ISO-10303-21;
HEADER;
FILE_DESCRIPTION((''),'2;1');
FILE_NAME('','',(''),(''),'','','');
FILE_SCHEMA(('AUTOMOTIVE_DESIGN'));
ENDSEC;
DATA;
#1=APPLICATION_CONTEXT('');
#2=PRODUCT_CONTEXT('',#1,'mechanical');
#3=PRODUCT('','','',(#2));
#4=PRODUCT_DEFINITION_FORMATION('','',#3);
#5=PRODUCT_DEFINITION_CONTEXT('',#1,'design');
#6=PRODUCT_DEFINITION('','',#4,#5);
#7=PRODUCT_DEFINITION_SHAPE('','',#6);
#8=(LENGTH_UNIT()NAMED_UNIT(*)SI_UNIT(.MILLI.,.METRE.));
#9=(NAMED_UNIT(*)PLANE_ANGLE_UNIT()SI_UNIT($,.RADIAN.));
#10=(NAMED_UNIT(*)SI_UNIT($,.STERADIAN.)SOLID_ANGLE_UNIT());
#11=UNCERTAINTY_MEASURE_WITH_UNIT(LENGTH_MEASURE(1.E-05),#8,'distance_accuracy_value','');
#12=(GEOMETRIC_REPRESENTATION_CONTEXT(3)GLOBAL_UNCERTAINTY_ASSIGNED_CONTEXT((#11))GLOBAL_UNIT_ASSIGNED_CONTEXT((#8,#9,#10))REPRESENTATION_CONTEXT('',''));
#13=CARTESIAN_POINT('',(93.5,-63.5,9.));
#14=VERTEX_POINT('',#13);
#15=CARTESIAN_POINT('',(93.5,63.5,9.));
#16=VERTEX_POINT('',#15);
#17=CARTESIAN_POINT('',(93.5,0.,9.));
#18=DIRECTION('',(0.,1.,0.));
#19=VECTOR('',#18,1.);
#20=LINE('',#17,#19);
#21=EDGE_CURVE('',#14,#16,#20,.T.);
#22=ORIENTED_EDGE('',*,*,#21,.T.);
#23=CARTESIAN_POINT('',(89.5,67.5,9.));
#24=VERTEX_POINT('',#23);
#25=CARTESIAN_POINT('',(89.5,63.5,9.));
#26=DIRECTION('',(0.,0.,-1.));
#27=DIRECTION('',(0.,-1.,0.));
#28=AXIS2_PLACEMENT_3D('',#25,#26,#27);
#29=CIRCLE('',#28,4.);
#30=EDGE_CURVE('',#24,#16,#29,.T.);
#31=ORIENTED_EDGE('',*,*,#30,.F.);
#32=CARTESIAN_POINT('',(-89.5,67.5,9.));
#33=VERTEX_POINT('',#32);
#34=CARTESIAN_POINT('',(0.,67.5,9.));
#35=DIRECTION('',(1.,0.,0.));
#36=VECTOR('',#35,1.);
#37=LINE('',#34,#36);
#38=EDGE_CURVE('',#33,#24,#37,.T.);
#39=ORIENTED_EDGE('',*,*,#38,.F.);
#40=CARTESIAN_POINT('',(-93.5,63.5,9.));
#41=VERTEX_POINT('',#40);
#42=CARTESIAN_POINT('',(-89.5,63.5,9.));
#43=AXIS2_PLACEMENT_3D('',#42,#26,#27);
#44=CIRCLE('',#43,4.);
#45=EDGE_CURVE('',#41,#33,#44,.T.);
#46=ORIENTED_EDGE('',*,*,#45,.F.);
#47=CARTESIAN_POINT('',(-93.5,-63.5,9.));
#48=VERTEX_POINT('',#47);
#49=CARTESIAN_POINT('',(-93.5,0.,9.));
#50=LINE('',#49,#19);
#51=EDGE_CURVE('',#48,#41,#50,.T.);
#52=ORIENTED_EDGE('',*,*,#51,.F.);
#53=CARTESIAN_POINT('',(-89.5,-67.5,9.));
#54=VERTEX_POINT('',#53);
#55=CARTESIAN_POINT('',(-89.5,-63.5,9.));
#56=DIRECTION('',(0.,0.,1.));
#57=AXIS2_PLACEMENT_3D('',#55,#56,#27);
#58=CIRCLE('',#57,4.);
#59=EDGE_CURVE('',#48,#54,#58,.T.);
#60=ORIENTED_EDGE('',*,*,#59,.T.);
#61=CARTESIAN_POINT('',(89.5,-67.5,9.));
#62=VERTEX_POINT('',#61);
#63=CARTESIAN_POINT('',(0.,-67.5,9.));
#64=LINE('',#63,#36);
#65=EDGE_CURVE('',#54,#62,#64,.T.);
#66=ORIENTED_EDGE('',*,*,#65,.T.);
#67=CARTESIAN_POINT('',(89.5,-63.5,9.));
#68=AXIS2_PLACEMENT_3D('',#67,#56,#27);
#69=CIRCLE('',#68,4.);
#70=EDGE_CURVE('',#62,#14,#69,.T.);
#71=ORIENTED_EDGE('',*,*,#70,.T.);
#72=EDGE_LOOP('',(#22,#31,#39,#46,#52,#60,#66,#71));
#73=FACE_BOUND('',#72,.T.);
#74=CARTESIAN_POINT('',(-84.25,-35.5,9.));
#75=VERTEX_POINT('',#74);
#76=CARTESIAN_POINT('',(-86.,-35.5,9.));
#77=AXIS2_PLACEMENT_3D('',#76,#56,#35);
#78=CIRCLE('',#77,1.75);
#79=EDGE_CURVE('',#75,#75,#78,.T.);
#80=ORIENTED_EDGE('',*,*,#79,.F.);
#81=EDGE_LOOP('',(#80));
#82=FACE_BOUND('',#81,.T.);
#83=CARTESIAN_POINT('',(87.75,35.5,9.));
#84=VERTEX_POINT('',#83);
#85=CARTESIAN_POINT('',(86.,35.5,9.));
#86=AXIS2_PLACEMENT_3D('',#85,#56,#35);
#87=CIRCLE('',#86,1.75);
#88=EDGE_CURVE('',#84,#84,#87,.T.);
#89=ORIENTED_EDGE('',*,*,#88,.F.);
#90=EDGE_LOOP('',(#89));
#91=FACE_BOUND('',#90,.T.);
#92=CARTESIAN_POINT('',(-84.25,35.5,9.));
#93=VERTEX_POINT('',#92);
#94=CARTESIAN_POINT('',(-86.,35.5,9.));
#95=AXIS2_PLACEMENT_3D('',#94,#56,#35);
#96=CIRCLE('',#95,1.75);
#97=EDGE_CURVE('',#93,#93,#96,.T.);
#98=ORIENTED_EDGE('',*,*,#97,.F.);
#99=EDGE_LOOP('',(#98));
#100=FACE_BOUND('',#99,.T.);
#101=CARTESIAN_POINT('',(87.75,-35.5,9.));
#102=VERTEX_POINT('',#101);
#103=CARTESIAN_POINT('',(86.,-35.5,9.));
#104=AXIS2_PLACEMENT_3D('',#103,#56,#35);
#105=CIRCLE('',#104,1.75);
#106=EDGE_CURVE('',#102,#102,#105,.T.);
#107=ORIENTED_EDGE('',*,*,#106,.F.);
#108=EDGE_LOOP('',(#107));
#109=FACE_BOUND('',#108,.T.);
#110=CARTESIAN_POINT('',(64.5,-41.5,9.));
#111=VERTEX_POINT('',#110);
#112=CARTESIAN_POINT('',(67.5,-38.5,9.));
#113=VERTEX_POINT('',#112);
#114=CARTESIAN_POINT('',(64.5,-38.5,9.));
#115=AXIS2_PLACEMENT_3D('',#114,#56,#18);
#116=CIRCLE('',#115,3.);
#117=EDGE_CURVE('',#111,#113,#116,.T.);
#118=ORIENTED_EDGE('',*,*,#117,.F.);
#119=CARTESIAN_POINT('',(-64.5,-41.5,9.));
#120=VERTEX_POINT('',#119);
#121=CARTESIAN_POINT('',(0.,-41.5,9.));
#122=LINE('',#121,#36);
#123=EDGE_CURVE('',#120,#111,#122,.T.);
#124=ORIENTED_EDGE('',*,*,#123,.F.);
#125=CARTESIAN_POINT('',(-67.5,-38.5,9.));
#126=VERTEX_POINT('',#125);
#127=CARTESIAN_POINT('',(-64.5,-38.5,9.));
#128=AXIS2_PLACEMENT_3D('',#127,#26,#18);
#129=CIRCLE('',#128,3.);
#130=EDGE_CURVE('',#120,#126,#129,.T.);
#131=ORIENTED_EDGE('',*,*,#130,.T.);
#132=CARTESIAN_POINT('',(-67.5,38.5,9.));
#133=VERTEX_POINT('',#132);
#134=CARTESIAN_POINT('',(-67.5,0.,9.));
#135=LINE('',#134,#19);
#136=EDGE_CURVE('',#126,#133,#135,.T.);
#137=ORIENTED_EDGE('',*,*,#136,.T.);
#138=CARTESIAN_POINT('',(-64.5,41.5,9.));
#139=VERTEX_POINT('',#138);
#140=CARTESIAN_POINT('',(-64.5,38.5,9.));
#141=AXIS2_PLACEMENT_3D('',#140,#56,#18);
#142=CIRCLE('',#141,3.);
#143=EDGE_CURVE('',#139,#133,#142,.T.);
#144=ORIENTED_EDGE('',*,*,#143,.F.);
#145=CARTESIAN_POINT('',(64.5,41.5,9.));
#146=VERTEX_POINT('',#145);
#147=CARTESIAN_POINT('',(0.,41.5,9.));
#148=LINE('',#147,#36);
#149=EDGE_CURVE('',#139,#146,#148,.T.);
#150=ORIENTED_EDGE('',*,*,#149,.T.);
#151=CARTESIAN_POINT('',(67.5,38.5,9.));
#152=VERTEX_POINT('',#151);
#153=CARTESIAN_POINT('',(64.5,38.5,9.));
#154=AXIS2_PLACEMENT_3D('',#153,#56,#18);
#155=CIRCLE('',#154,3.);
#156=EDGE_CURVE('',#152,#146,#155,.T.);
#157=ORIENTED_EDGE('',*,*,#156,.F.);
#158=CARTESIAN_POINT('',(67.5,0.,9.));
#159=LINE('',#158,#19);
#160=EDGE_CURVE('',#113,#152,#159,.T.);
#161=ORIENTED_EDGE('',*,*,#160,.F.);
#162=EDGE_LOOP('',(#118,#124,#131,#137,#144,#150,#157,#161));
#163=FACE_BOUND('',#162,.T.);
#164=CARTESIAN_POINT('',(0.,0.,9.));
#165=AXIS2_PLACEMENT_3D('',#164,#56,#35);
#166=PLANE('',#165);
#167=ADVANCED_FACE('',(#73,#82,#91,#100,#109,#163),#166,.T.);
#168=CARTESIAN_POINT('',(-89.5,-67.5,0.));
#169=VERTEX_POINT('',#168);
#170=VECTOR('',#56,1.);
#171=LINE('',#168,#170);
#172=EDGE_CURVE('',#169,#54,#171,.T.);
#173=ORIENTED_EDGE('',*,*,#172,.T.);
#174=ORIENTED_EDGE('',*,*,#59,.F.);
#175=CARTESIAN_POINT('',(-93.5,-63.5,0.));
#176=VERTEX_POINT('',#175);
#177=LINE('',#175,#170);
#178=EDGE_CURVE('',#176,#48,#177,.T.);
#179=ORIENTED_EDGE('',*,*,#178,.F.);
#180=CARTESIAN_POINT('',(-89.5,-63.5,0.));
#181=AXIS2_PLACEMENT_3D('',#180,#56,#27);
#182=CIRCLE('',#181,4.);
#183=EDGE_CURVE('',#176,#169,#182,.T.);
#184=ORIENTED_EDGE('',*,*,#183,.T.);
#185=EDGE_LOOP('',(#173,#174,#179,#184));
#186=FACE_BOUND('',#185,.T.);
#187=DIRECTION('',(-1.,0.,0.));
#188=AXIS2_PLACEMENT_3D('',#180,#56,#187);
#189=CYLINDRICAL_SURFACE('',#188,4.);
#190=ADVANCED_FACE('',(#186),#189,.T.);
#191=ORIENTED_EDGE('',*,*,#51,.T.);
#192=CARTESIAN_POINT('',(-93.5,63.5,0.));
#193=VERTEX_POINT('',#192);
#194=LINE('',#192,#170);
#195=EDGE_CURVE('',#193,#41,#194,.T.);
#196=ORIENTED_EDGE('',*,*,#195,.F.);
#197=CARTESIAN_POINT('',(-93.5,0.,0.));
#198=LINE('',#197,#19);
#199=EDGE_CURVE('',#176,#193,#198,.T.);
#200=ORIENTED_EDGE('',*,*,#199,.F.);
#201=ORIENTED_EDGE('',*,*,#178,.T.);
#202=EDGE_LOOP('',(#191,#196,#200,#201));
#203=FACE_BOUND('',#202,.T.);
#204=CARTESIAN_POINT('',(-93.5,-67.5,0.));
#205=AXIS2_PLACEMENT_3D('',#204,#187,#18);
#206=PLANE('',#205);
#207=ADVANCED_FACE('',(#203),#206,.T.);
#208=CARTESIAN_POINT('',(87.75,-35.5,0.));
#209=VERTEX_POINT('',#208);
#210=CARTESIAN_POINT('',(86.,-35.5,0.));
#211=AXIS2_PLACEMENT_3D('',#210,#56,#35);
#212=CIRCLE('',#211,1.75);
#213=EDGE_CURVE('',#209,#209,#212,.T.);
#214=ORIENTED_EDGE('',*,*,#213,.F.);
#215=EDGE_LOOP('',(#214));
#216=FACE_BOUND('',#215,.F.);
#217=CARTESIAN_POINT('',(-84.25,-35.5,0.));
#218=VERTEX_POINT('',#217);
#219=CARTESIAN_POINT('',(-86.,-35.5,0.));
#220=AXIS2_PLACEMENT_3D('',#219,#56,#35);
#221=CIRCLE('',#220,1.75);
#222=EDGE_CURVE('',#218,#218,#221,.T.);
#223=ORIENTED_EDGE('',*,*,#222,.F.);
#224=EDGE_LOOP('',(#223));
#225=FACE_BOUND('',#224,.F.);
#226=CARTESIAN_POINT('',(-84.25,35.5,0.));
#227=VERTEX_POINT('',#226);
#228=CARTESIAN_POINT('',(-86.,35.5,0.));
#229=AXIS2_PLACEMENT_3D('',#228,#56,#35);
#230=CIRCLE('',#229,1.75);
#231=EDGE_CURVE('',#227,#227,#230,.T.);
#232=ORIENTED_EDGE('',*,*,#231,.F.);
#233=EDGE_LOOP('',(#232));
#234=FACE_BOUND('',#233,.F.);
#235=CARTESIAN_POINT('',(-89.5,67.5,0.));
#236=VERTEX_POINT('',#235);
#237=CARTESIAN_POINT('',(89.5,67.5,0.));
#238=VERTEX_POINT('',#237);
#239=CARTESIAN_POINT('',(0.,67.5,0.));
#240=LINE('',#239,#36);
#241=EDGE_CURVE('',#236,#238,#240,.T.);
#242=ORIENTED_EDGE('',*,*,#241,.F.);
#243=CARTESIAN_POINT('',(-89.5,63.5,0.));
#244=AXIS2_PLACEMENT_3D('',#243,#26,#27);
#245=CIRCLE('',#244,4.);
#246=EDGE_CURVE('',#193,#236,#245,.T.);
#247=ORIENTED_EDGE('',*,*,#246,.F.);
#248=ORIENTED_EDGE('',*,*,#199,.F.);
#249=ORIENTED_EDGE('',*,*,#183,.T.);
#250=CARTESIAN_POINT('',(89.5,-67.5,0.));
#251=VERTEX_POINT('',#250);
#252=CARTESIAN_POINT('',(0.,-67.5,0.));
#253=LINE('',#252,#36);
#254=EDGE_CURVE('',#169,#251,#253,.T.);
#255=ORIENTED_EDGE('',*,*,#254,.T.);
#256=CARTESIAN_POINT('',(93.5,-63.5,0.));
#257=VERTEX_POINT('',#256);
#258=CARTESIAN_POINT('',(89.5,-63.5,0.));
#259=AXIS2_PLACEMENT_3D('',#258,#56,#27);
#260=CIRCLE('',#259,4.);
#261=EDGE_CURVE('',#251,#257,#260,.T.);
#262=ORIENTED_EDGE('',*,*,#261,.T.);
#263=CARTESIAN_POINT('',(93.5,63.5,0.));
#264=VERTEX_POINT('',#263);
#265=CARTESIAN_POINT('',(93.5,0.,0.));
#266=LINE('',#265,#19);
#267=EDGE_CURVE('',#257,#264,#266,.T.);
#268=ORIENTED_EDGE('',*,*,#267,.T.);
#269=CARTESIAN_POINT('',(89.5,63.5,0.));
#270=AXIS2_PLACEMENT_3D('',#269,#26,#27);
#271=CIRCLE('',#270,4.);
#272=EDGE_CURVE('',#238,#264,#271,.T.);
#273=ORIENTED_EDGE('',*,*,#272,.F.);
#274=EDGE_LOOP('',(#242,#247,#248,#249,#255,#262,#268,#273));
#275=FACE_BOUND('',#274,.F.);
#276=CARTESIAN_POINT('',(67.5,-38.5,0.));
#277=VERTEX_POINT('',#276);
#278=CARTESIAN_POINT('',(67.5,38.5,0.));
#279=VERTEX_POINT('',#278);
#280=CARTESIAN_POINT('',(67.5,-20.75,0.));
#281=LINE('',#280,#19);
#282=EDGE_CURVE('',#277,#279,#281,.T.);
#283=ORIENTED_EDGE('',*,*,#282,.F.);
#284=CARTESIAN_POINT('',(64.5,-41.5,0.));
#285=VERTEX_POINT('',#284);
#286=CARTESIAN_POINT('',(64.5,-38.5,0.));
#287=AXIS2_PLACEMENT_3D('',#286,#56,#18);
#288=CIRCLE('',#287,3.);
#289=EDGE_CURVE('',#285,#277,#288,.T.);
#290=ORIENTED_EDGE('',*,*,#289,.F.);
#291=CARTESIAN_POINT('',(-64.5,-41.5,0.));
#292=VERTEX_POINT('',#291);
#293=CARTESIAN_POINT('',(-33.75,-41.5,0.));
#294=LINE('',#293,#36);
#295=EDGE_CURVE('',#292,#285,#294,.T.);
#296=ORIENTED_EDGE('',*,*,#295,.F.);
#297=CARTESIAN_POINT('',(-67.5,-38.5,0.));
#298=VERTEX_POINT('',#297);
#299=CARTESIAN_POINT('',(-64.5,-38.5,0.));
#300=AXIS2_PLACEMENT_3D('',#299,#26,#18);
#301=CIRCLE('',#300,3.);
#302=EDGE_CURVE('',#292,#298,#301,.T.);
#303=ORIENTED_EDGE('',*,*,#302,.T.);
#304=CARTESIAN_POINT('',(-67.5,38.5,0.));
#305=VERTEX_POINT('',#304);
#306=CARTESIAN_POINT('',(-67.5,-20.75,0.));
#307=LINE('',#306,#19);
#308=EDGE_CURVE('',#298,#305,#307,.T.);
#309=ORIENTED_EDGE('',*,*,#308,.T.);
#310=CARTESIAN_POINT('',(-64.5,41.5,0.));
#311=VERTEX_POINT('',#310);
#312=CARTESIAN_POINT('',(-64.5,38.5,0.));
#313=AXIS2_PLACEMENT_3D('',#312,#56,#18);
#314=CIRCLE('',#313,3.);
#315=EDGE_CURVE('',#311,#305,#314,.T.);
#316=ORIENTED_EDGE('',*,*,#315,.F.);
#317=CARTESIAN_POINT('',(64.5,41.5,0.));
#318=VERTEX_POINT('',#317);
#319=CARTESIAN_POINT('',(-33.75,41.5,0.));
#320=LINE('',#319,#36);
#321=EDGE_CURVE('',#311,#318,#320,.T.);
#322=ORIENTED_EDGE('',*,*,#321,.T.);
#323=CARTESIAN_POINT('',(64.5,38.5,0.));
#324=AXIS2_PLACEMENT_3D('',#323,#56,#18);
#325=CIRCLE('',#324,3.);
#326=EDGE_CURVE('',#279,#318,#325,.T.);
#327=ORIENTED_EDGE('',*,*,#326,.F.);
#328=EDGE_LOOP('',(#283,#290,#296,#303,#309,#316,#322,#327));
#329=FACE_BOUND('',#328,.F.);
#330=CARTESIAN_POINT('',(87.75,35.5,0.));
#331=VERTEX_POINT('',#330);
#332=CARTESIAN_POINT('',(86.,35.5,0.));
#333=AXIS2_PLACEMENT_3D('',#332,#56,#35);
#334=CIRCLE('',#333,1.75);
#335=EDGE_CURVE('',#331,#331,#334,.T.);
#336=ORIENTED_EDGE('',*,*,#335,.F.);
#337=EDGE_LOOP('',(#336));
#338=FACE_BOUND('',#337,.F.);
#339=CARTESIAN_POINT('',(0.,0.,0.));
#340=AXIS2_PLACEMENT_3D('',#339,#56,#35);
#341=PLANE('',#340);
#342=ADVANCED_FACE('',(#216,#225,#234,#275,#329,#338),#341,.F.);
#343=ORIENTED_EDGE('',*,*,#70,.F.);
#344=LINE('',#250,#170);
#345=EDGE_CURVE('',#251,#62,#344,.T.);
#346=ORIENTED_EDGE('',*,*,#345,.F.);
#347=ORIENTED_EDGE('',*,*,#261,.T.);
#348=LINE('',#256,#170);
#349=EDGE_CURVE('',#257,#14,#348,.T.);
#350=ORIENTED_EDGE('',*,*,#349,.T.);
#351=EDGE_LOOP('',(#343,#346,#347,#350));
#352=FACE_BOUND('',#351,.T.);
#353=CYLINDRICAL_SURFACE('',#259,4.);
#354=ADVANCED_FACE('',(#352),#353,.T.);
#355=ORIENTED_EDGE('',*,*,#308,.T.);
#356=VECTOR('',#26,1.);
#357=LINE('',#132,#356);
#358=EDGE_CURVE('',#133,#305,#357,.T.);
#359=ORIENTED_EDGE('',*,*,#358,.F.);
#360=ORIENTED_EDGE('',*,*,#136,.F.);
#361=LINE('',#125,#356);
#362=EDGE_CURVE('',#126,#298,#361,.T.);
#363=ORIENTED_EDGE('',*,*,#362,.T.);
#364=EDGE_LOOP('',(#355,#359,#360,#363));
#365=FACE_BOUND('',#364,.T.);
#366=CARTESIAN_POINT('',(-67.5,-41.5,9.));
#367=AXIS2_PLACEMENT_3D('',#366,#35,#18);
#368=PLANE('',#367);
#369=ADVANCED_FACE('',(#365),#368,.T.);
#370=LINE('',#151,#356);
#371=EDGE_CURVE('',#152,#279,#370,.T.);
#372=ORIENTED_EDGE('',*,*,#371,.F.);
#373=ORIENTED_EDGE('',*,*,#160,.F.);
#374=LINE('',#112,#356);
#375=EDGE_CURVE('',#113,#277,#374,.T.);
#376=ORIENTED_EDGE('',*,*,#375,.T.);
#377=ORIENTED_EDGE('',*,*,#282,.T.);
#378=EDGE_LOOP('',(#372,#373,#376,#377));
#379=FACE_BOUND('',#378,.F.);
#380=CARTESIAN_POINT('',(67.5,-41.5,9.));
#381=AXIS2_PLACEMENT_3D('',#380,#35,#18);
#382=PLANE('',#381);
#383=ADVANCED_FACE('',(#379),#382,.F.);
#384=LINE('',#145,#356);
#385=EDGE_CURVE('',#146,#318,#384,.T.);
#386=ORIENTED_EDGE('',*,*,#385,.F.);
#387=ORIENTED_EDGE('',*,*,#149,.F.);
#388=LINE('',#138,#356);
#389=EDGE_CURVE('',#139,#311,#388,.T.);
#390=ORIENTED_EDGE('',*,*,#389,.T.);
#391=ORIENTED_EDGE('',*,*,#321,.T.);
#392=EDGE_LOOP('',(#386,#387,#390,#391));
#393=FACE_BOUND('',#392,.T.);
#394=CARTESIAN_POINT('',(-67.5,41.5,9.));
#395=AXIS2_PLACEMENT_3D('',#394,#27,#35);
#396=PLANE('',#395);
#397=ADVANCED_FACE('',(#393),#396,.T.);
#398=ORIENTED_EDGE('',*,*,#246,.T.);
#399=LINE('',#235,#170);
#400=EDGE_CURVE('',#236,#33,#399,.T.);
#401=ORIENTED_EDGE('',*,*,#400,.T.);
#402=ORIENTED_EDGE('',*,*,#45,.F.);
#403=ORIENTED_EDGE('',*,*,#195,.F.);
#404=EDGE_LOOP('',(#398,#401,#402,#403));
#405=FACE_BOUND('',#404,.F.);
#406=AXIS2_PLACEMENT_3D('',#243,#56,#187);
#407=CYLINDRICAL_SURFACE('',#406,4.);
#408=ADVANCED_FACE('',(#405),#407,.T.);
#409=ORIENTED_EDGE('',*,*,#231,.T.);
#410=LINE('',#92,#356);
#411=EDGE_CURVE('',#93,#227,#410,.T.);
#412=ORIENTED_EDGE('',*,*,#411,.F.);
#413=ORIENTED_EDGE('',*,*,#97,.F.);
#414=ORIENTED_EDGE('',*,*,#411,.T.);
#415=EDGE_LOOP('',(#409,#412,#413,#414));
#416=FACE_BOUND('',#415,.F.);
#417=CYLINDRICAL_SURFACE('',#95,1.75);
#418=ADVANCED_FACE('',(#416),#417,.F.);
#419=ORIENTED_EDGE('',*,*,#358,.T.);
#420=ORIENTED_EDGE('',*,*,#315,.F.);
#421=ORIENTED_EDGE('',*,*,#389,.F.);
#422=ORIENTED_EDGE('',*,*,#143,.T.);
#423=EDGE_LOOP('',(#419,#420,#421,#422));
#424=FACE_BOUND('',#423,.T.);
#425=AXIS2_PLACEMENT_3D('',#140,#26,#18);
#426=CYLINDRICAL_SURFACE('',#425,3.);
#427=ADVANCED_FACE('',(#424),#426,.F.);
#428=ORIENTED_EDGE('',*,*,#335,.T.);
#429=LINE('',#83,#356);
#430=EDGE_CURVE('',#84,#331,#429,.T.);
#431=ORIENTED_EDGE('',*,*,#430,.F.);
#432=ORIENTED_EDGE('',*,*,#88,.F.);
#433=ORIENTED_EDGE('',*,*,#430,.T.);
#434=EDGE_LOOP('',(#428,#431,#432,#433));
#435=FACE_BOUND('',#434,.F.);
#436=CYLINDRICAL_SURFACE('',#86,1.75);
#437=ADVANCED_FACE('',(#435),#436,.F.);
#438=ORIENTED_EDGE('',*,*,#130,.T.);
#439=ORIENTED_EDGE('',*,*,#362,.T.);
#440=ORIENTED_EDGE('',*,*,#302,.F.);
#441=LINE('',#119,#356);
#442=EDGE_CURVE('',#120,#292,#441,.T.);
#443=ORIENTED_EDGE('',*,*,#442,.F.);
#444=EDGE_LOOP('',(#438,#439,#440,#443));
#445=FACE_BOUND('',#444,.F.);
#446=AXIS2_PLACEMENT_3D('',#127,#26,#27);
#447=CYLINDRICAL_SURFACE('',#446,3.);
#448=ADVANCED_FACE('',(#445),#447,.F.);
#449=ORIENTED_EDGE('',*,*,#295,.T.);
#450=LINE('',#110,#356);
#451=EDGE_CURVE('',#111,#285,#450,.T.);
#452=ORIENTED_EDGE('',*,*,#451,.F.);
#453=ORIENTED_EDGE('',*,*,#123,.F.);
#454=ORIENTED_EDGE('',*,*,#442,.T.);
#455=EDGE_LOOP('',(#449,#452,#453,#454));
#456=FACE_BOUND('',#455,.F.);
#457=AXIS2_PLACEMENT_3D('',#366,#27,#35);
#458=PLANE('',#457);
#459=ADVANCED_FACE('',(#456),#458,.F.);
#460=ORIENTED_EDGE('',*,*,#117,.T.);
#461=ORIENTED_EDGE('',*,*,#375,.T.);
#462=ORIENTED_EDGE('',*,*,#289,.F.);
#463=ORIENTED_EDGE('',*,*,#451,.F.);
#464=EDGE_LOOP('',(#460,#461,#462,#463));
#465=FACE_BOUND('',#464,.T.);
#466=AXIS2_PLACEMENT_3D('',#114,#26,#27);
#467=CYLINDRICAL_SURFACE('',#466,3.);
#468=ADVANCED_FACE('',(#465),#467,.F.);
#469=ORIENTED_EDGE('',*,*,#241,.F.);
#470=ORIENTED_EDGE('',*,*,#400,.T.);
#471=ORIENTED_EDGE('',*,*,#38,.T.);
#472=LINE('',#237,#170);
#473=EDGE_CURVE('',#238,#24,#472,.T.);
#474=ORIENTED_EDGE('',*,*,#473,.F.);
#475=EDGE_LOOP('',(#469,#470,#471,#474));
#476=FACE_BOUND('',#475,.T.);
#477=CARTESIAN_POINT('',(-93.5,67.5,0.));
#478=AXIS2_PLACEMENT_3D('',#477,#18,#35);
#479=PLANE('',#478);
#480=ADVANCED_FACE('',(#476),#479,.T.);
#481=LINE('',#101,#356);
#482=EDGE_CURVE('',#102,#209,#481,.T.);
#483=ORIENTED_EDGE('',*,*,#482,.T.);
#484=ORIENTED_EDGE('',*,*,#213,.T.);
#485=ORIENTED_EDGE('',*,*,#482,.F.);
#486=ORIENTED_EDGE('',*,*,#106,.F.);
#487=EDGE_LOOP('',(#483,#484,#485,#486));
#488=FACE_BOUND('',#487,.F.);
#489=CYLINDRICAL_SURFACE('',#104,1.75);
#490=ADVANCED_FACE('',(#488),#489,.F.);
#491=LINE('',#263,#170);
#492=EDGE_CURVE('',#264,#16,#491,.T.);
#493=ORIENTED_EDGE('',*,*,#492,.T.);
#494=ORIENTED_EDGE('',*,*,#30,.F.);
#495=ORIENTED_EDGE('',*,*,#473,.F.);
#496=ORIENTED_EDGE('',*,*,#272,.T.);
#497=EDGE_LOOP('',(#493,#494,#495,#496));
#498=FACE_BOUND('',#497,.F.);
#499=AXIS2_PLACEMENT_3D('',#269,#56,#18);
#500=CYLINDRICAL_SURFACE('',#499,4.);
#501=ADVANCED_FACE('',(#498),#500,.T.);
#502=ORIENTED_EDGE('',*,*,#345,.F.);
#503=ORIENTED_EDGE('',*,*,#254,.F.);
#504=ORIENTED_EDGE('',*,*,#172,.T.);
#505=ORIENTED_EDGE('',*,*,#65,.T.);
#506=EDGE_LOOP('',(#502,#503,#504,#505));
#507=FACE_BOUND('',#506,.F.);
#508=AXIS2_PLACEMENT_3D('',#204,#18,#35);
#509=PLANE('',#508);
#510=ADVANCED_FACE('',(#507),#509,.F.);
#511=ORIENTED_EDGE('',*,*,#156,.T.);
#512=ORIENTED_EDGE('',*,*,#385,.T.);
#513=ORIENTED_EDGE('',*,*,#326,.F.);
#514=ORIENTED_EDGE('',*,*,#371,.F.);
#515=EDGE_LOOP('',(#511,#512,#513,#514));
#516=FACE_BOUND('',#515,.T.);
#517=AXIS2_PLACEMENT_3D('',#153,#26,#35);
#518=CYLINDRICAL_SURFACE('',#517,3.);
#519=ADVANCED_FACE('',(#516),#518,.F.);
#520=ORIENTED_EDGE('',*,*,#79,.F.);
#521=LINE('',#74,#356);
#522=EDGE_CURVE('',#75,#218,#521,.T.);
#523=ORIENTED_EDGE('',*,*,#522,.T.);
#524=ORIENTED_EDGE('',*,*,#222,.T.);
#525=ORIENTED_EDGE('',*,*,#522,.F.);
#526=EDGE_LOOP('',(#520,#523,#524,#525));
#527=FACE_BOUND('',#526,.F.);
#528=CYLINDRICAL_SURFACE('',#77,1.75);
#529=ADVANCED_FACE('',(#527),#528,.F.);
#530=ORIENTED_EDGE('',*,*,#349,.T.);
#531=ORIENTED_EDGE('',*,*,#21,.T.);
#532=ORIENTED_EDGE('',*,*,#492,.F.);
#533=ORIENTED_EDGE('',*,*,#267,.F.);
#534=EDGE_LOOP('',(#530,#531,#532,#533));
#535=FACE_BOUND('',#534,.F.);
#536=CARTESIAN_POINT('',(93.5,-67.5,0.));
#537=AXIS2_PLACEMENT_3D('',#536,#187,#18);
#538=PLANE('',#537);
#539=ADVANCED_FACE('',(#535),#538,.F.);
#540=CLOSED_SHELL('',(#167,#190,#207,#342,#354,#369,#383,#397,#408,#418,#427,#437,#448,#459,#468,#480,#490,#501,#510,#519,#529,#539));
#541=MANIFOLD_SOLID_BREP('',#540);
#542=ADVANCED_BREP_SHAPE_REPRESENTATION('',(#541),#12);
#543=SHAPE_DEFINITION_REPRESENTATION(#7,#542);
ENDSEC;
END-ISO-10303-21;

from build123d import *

# Parameters (mm, degrees)
SKETCH_W        = 187
SKETCH_H        = 135
PAD_DEPTH       = 9
SKETCH001_R     = 1.75
POCKET_DEPTH    = 9.001
FILLET_R        = 4
SKETCH002_W     = 135
SKETCH002_H     = 83
POCKET001_DEPTH = 9.001
FILLET001_R     = 3


with BuildPart() as part:
    # Sketch → Pad (new body)
    with BuildSketch(Plane.XY):
        Rectangle(SKETCH_W, SKETCH_H)
    extrude(amount=PAD_DEPTH)

    # Sketch001 (on Face6 of Pad) → Pocket (cut, through all)
    with BuildSketch(Plane.XY.offset(9)):
        with Locations((-86, 35.5)):
            Circle(SKETCH001_R)
        with Locations((86, 35.5)):
            Circle(SKETCH001_R)
        with Locations((-86, -35.5)):
            Circle(SKETCH001_R)
        with Locations((86, -35.5)):
            Circle(SKETCH001_R)
    extrude(amount=-POCKET_DEPTH, mode=Mode.SUBTRACT)

    # Fillet
    fillet_edges = [part.edges().sort_by_distance(p)[0] for p in [
        (-93.5, 67.5, 4.5),
        (-93.5, -67.5, 4.5),
        (93.5, -67.5, 4.5),
        (93.5, 67.5, 4.5),
    ]]
    fillet(fillet_edges, radius=FILLET_R)

    # Sketch002 (on Face5 of Fillet) → Pocket001 (cut, through all)
    with BuildSketch(Plane.XY.offset(9)):
        Rectangle(SKETCH002_W, SKETCH002_H)
    extrude(amount=-POCKET001_DEPTH, mode=Mode.SUBTRACT)

    # Fillet001
    fillet001_edges = [part.edges().sort_by_distance(p)[0] for p in [
        (-67.5, 41.5, 4.5),
        (-67.5, -41.5, 4.5),
        (67.5, -41.5, 4.5),
        (67.5, 41.5, 4.5),
    ]]
    fillet(fillet001_edges, radius=FILLET001_R)


solid = part.part
